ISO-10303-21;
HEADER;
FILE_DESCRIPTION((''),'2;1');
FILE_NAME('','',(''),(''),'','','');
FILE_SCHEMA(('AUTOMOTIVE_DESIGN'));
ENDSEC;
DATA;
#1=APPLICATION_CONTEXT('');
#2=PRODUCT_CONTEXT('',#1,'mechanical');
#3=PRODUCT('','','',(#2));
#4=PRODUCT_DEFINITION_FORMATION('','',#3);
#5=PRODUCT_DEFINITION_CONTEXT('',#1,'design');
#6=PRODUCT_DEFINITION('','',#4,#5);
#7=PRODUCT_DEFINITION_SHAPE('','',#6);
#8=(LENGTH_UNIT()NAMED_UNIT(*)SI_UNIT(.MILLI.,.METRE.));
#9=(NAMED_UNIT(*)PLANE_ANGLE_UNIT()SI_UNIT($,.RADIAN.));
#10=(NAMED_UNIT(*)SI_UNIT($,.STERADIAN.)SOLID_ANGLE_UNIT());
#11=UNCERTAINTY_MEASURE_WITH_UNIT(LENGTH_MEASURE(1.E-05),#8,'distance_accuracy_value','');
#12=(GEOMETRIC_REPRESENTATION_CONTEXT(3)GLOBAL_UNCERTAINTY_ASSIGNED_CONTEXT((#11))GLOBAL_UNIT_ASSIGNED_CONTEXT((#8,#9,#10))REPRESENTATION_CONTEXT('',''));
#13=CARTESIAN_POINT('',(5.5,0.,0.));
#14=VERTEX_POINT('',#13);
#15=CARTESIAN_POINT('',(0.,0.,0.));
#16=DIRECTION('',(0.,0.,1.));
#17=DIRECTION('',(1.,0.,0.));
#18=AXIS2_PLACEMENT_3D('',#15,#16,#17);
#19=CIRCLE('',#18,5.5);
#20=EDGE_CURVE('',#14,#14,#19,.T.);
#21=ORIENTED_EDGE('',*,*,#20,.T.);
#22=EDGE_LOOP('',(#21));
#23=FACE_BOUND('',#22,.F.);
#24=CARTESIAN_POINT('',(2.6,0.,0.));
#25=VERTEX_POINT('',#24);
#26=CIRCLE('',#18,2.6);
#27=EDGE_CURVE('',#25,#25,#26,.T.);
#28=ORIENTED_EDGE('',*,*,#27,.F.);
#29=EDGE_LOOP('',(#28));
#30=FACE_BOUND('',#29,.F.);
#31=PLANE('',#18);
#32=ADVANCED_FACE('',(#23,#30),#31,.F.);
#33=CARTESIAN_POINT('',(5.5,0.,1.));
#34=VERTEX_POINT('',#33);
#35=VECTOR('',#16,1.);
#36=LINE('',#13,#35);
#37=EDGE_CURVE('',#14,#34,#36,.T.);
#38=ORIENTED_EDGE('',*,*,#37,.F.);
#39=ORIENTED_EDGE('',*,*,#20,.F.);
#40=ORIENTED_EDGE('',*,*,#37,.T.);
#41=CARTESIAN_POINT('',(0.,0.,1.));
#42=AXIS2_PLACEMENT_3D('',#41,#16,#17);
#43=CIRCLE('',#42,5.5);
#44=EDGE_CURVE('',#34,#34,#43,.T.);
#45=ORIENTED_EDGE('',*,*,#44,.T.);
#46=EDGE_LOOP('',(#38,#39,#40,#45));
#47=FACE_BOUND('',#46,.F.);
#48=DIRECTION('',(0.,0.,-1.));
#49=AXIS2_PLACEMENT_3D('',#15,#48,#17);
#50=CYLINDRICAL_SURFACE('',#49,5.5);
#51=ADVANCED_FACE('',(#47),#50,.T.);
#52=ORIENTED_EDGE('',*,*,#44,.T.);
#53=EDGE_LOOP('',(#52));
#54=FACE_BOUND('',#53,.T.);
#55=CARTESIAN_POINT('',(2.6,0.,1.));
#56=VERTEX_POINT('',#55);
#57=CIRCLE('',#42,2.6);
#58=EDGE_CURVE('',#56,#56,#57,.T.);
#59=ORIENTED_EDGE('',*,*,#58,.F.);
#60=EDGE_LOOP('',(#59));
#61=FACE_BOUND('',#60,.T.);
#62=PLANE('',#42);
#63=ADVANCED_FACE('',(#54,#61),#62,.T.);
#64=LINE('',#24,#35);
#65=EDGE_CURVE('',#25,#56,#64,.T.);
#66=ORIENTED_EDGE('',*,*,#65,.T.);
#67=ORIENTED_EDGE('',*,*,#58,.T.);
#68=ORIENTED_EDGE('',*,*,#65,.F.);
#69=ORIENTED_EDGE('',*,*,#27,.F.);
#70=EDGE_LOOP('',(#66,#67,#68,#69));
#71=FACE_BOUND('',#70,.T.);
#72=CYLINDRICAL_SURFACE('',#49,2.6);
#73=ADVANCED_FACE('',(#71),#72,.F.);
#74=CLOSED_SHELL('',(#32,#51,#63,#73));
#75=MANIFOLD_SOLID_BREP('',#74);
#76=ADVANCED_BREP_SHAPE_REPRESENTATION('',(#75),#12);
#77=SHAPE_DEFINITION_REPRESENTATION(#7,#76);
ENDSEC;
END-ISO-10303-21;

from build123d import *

# Parameters (mm, degrees)
SKETCH1_R           = 5.5
SKETCH1_R_2         = 2.6
BOSS_EXTRUDE1_DEPTH = 1


with BuildPart() as part:
    # Sketch1 → Boss-Extrude1 (new body)
    with BuildSketch(Plane.XY):
        Circle(SKETCH1_R)
        Circle(SKETCH1_R_2, mode=Mode.SUBTRACT)
    extrude(amount=BOSS_EXTRUDE1_DEPTH)


solid = part.part
